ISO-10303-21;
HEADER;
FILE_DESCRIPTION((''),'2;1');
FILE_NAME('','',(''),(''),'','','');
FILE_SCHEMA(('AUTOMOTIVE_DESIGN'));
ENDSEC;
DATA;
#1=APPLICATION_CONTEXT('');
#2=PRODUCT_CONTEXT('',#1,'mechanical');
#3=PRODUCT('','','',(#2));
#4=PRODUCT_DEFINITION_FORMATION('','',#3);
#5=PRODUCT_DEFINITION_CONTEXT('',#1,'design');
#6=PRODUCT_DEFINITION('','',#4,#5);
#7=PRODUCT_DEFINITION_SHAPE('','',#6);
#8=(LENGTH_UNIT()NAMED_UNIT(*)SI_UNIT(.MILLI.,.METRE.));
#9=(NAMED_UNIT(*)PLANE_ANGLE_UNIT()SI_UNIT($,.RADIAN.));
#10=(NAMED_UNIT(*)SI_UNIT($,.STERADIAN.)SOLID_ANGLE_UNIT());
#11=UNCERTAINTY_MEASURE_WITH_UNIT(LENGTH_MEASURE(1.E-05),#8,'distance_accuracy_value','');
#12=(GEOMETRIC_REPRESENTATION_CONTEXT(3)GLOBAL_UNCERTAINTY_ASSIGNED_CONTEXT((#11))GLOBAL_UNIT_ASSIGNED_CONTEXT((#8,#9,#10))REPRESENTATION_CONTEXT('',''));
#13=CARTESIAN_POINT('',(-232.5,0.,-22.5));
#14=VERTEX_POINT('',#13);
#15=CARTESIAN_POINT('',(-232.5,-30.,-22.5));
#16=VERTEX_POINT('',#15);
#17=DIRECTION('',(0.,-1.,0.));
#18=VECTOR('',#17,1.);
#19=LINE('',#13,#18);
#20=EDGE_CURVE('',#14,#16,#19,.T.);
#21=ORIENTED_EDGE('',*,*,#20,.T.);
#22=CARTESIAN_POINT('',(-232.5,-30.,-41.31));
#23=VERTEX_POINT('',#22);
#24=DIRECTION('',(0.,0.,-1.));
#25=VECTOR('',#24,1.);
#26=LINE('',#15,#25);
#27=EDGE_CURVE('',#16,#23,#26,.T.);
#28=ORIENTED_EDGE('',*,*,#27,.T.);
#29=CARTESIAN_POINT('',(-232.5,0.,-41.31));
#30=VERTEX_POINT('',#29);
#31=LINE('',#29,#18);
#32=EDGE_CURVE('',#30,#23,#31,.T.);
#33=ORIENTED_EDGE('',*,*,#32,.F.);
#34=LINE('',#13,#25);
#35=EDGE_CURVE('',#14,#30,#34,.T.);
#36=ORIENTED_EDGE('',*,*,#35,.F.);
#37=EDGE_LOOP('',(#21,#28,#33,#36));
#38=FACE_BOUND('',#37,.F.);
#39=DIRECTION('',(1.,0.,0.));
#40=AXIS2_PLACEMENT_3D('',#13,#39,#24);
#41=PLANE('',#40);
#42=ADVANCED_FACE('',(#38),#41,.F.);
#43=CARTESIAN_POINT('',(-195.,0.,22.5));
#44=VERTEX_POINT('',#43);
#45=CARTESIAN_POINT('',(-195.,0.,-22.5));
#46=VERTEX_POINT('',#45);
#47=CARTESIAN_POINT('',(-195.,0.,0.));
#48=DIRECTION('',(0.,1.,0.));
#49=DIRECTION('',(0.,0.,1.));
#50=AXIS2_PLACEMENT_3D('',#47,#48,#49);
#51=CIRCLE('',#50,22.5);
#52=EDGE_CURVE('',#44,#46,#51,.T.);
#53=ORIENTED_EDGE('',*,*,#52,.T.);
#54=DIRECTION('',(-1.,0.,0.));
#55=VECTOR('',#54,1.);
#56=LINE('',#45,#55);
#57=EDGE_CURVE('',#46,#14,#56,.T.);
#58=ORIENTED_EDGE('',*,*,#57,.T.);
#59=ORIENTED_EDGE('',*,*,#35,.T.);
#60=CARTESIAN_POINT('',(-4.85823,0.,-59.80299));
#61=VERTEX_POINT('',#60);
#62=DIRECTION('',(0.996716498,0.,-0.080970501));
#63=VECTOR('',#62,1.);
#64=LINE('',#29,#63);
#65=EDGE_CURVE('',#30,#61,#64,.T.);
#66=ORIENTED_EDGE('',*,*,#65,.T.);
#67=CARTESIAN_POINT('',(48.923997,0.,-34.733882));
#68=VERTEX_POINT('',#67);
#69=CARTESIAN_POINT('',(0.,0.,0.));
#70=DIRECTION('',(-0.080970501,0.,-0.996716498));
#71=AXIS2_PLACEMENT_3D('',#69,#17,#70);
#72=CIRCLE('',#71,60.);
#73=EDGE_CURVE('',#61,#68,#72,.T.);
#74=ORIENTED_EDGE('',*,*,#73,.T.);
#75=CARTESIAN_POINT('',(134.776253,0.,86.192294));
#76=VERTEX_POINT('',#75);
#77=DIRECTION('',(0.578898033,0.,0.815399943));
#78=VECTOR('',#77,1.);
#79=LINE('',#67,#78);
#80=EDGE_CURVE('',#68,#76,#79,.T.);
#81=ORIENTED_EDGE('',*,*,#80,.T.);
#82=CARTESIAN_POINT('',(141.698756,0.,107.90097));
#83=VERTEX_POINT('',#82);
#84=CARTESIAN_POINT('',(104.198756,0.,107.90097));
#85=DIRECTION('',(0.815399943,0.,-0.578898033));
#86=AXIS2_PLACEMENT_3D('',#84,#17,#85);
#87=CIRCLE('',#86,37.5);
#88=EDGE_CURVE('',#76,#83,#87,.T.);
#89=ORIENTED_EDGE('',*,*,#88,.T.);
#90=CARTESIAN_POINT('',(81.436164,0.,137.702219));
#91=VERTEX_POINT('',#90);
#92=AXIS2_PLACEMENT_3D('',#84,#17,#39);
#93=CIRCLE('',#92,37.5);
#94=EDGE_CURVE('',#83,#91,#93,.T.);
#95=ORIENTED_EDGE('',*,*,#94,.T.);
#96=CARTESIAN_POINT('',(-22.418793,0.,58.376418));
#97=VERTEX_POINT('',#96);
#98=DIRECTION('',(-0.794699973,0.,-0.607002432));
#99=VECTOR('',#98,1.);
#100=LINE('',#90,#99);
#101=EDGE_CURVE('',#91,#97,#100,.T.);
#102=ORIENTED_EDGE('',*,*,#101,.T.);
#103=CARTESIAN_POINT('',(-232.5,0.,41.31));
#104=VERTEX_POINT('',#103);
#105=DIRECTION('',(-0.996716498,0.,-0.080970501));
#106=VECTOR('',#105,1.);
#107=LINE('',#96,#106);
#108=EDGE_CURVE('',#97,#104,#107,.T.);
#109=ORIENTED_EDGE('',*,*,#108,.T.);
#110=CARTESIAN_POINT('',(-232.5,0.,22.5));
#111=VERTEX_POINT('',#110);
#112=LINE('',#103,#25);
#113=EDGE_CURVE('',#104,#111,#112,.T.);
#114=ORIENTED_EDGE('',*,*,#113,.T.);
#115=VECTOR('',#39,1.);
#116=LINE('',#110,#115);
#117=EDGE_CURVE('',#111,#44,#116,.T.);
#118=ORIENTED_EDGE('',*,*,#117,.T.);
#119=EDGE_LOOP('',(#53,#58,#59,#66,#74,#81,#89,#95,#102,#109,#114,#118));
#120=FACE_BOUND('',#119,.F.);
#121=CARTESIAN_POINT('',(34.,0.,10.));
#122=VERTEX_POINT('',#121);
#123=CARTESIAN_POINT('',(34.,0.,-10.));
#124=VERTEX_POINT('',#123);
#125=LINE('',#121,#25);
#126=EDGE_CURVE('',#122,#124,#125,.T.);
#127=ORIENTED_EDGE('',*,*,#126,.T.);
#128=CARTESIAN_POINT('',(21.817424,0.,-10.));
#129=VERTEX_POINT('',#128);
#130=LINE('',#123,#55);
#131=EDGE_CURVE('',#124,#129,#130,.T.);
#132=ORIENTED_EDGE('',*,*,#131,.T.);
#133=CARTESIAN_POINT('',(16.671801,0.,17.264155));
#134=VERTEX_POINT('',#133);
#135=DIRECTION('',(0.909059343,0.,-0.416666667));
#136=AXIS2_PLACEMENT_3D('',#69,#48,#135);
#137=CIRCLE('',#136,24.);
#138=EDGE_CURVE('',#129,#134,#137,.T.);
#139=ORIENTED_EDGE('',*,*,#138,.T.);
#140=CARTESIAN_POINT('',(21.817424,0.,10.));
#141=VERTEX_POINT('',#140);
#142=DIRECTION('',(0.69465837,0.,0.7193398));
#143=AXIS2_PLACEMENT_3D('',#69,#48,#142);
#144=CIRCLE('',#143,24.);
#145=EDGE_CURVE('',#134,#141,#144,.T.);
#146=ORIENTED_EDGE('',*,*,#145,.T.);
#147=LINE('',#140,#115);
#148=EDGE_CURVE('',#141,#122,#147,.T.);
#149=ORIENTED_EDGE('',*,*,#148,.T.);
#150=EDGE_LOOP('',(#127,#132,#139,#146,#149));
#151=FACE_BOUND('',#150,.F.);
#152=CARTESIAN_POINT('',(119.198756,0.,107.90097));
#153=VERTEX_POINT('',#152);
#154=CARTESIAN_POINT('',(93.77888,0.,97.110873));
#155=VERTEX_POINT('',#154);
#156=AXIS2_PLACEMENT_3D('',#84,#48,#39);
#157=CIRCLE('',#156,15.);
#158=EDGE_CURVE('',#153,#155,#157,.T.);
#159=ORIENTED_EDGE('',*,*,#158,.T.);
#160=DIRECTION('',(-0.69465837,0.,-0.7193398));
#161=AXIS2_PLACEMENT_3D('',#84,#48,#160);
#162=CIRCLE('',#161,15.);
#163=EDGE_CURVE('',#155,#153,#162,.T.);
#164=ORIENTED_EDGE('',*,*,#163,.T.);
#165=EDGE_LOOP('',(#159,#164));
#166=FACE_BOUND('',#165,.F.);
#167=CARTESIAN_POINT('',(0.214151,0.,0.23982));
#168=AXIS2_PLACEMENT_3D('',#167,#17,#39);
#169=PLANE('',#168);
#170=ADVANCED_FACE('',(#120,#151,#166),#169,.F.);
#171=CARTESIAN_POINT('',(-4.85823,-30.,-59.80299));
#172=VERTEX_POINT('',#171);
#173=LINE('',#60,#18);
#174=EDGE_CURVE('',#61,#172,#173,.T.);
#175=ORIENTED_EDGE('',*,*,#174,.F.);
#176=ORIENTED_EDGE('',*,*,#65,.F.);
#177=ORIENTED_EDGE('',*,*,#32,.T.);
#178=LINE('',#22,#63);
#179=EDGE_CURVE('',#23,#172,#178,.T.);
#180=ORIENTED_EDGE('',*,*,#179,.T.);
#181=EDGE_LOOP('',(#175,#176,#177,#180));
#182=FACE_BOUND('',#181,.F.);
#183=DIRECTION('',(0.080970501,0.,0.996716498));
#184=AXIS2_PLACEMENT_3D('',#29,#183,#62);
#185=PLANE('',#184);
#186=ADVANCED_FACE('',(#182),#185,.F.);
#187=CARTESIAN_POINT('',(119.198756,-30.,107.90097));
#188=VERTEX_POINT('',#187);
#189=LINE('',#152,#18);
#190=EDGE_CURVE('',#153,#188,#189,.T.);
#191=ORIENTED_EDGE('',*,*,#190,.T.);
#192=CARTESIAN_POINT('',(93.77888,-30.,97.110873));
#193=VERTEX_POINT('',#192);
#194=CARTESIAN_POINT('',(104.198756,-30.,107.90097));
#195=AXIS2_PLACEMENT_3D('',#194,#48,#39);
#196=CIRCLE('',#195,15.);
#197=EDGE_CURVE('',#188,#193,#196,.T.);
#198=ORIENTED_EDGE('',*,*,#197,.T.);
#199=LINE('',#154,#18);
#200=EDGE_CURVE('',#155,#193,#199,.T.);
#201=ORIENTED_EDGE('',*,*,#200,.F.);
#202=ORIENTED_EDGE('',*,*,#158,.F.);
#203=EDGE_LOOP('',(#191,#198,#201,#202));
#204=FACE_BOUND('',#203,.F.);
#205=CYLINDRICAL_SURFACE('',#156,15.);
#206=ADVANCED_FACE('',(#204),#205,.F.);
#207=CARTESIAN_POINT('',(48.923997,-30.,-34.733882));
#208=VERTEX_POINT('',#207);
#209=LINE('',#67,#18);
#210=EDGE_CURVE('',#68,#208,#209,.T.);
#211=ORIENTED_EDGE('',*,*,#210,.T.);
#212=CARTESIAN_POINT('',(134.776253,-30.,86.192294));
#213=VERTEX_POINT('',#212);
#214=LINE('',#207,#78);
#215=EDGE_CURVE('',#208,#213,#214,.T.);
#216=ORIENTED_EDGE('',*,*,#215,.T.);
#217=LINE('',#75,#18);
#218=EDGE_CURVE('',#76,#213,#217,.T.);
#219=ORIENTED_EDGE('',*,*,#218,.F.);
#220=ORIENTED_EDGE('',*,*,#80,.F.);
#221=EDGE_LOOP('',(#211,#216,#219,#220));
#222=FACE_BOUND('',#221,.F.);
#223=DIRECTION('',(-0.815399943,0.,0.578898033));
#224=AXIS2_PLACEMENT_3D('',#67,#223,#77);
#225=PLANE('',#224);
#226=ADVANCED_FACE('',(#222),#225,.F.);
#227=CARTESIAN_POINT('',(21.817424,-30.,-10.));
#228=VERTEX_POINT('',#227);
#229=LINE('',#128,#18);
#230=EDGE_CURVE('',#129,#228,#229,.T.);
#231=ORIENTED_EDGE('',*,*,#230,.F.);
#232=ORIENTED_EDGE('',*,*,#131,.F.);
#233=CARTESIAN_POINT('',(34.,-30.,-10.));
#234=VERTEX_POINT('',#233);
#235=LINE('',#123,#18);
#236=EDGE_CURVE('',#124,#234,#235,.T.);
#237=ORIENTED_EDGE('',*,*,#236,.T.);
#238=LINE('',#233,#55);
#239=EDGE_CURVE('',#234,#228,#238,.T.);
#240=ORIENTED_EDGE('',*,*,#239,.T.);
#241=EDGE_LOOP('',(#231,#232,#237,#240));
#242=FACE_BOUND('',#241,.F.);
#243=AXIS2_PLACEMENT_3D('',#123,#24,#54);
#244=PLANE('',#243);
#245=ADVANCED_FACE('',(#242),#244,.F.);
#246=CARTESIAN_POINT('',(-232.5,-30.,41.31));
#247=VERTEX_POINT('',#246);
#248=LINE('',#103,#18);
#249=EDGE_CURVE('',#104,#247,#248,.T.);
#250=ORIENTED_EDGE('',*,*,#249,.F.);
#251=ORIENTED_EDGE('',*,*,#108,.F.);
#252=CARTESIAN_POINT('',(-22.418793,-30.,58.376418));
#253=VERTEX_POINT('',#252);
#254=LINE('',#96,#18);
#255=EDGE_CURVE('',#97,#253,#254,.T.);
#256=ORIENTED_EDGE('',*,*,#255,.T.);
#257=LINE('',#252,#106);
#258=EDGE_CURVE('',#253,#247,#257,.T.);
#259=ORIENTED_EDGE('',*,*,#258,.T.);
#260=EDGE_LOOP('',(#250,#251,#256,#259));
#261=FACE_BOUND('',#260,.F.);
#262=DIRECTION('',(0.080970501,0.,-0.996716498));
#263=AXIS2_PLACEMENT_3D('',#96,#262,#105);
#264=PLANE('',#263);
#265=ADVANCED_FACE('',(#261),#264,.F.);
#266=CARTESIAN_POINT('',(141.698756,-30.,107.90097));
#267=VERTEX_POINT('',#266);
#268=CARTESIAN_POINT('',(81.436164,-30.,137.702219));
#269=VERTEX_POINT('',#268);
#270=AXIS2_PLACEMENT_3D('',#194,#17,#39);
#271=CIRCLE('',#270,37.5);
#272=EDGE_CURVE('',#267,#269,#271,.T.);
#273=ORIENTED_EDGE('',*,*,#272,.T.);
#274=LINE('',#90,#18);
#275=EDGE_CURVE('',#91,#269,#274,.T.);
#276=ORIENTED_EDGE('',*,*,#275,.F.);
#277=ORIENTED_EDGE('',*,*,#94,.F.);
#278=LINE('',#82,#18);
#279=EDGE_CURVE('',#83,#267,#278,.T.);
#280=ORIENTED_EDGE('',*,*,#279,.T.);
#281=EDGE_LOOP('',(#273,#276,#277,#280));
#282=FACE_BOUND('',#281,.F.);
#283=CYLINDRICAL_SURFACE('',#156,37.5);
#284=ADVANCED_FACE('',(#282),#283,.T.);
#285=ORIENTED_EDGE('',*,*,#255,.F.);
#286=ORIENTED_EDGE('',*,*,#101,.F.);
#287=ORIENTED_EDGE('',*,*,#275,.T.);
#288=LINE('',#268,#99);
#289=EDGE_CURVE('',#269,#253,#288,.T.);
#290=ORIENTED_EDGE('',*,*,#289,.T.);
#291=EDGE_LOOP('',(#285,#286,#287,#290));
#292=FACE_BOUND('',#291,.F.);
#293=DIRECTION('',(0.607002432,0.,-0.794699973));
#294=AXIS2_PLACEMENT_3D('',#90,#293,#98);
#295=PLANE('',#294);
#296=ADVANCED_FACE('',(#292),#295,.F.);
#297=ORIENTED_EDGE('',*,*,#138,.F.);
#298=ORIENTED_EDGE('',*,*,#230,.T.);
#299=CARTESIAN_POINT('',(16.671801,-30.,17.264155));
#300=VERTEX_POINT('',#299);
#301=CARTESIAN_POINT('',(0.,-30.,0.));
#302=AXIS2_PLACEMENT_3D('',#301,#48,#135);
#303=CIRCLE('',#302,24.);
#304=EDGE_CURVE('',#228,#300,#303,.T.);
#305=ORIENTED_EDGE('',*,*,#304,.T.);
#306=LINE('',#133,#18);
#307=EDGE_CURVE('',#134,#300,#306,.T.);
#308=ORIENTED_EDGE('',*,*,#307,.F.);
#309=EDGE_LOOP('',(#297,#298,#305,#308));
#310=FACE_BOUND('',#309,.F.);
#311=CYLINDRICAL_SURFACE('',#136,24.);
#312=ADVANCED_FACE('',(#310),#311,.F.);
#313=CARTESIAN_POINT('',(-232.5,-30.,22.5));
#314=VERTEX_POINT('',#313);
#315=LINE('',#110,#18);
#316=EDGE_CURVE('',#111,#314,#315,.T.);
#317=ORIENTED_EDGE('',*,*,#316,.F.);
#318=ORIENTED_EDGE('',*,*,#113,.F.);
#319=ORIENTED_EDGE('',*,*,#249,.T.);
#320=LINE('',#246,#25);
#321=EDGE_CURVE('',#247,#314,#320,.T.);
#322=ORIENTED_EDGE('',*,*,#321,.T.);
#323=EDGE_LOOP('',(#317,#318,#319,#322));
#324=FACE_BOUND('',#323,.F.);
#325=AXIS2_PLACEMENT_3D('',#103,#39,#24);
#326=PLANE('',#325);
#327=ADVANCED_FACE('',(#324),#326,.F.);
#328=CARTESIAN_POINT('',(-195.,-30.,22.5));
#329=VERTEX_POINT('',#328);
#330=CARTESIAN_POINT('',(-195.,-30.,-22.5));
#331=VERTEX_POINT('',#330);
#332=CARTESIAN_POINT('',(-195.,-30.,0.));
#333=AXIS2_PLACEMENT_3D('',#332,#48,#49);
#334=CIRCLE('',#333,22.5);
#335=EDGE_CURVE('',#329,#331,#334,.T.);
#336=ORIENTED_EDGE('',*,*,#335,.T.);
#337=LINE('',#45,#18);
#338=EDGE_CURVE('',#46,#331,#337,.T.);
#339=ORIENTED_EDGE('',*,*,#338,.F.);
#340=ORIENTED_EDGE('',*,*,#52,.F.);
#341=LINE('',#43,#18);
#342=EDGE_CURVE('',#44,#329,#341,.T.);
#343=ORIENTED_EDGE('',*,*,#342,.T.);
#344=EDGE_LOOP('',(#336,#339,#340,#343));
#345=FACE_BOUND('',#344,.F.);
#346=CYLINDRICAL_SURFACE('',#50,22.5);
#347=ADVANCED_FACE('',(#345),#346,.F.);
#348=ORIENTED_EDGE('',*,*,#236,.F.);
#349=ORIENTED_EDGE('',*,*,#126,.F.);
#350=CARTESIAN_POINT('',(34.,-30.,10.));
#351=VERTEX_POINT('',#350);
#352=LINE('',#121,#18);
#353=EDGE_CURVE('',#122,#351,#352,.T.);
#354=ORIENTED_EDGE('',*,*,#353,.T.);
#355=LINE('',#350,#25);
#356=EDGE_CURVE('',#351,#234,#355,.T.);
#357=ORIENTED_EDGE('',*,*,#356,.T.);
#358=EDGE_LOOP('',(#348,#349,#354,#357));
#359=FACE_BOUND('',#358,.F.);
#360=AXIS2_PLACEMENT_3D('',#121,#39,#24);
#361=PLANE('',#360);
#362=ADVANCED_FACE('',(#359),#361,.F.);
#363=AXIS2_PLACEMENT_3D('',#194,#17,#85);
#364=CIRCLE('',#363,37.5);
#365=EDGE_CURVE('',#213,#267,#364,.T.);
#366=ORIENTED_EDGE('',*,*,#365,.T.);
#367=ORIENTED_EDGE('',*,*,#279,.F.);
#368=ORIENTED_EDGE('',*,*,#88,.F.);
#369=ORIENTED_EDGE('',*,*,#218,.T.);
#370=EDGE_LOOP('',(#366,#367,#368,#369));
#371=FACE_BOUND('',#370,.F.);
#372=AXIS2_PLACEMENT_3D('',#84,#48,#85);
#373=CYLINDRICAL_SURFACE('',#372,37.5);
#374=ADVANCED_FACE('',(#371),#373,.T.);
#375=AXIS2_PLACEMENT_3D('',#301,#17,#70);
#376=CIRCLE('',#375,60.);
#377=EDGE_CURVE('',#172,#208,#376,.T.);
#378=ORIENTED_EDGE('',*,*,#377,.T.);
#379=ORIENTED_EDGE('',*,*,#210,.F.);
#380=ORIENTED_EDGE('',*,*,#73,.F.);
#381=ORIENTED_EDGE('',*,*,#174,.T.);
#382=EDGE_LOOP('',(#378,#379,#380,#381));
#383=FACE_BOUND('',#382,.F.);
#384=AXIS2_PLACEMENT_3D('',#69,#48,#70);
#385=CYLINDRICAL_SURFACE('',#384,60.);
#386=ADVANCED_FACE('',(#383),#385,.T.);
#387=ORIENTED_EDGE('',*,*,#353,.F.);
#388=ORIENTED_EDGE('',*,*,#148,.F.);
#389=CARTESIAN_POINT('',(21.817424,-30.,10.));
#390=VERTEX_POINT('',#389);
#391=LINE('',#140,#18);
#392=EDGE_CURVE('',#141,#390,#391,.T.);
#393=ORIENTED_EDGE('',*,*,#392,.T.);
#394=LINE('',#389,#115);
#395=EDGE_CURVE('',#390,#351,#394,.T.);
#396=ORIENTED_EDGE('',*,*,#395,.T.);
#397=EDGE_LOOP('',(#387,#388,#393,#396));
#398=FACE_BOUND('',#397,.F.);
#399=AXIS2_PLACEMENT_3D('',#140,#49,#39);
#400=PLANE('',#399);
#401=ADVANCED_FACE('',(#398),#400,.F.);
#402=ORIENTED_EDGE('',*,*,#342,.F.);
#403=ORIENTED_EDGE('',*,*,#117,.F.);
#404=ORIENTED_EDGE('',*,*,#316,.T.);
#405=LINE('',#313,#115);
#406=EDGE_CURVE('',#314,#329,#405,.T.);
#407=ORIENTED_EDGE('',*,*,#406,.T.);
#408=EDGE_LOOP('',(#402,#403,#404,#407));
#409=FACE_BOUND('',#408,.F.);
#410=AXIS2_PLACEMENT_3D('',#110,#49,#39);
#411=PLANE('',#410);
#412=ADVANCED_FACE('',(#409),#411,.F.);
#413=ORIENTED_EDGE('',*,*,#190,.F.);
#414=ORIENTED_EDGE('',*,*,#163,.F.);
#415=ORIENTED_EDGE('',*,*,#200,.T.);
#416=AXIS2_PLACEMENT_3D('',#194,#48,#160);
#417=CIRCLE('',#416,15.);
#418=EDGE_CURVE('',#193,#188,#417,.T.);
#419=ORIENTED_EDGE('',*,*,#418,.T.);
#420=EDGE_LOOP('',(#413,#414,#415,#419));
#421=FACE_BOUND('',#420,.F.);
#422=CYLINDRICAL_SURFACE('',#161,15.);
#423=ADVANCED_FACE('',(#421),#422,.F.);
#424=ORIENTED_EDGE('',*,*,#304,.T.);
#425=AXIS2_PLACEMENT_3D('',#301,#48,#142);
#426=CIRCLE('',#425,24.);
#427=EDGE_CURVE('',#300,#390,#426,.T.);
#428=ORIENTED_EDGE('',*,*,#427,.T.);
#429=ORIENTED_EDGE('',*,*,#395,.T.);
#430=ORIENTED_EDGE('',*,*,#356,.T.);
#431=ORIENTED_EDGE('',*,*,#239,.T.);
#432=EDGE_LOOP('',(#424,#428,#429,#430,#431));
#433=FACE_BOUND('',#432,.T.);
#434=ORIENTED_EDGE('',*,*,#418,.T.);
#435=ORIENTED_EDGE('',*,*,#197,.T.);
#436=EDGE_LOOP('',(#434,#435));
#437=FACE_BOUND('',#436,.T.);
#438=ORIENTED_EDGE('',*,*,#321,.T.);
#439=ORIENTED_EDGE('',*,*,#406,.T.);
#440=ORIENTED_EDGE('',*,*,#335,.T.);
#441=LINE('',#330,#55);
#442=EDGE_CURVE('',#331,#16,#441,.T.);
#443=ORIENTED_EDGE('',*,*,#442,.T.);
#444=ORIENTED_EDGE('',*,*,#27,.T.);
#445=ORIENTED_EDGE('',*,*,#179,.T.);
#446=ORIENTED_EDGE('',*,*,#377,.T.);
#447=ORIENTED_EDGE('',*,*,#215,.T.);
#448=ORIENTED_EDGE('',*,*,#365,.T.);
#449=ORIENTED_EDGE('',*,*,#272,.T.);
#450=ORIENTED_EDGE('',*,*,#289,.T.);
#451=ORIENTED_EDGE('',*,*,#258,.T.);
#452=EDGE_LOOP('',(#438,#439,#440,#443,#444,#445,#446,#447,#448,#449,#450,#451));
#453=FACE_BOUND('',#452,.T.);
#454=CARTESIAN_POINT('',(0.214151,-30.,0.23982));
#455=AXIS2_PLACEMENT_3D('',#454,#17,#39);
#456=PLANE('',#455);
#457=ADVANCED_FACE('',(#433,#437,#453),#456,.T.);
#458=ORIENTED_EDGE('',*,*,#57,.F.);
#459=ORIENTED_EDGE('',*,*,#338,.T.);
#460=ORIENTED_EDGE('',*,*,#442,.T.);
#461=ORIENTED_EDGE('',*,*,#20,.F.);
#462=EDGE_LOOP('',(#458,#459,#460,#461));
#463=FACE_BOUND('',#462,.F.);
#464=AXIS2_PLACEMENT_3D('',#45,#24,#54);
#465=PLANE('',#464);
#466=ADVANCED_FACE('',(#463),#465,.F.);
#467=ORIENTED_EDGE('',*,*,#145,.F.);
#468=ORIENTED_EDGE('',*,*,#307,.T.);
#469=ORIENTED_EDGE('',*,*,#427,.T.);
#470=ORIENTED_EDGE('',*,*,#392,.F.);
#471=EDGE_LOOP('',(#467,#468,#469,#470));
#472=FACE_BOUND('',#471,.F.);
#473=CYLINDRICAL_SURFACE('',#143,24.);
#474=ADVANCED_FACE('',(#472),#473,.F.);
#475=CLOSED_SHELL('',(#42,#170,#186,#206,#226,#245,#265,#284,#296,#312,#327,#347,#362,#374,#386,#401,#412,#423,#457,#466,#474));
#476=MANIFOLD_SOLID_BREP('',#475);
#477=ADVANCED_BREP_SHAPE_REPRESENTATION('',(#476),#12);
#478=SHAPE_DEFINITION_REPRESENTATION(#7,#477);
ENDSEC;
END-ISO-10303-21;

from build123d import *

# Parameters (mm, degrees)
F1_DEPTH = 30


with BuildPart() as f1:
    # F0 (on Front) → F1 (new body)
    with BuildSketch(Plane.XZ):
        with BuildLine():
            ThreePointArc((41.6795022275, 43.1603880203), (20.2038503869, 56.496056761), (-4.8582300529, 59.8029898981))
            ThreePointArc((-4.8582300529, 59.8029898981), (-21.5105948147, 56.0115551535), (-36.4201459122, 47.6819984034))
            ThreePointArc((-36.4201459122, 47.6819984034), (-53.7829376045, 26.5969100204), (-60, 0))
            ThreePointArc((-60, 0), (-44.110621188, -40.672510353), (-4.8582300529, -59.8029898981))
            ThreePointArc((-4.8582300529, -59.8029898981), (25.3488261592, -54.382322609), (48.9239965804, -34.7338819973))
            ThreePointArc((48.9239965804, -34.7338819973), (57.1639737721, -18.2285518511), (60, 0))
            ThreePointArc((60, 0), (55.2302912071, 23.4438677094), (41.6795022275, 43.1603880203))
        make_face()
        with BuildLine():
            ThreePointArc((21.8174242293, -10), (-23.5836522276, -4.4509940021), (16.671800891, 17.2641552081))
            ThreePointArc((16.671800891, 17.2641552081), (19.5843585627, 13.8727394442), (21.8174242293, 10))
            Line((21.8174242293, 10), (34, 10))
            Line((34, 10), (34, -10))
            Line((34, -10), (21.8174242293, -10))
        make_face(mode=Mode.SUBTRACT)
        with BuildLine():
            Line((-22.4187933011, 58.3764181454), (-4.8582300529, 59.8029898981))
            ThreePointArc((-4.8582300529, 59.8029898981), (20.2038503869, 56.496056761), (41.6795022275, 43.1603880203))
            Line((41.6795022275, 43.1603880203), (78.1490666766, 80.9257275381))
            ThreePointArc((78.1490666766, 80.9257275381), (66.7614457161, 110.0684180864), (81.4361643738, 137.7022190529))
            Line((81.4361643738, 137.7022190529), (-22.4187933011, 58.3764181454))
        make_face()
        with BuildLine():
            ThreePointArc((-36.4201459122, 47.6819984034), (-21.5105948147, 56.0115551535), (-4.8582300529, 59.8029898981))
            Line((-4.8582300529, 59.8029898981), (-22.4187933011, 58.3764181454))
            Line((-22.4187933011, 58.3764181454), (-36.4201459122, 47.6819984034))
        make_face()
        with BuildLine():
            ThreePointArc((-60, 0), (-53.7829376045, 26.5969100204), (-36.4201459122, 47.6819984034))
            Line((-36.4201459122, 47.6819984034), (-22.4187933011, 58.3764181454))
            Line((-22.4187933011, 58.3764181454), (-232.5, 41.31))
            Line((-232.5, 41.31), (-232.5, 22.5))
            Line((-232.5, 22.5), (-195, 22.5))
            ThreePointArc((-195, 22.5), (-179.0900974233, 15.9099025767), (-172.5, 0))
            Line((-172.5, 0), (-60, 0))
        make_face()
        with BuildLine():
            Line((78.1490666766, 80.9257275381), (41.6795022275, 43.1603880203))
            ThreePointArc((41.6795022275, 43.1603880203), (55.2302912071, 23.4438677094), (60, 0))
            ThreePointArc((60, 0), (57.1639737721, -18.2285518511), (48.9239965804, -34.7338819973))
            Line((48.9239965804, -34.7338819973), (134.7762534316, 86.1922938025))
            ThreePointArc((134.7762534316, 86.1922938025), (107.6714265254, 70.5621088412), (78.1490666766, 80.9257275381))
        make_face()
        with BuildLine():
            ThreePointArc((-4.8582300529, -59.8029898981), (-44.110621188, -40.672510353), (-60, 0))
            Line((-60, 0), (-172.5, 0))
            ThreePointArc((-172.5, 0), (-179.0900974233, -15.9099025767), (-195, -22.5))
            Line((-195, -22.5), (-232.5, -22.5))
            Line((-232.5, -22.5), (-232.5, -41.31))
            Line((-232.5, -41.31), (-4.8582300529, -59.8029898981))
        make_face()
        with BuildLine():
            ThreePointArc((81.4361643738, 137.7022190529), (66.7614457161, 110.0684180864), (78.1490666766, 80.9257275381))
            ThreePointArc((78.1490666766, 80.9257275381), (107.6714265254, 70.5621088412), (134.7762534316, 86.1922938025))
            ThreePointArc((134.7762534316, 86.1922938025), (139.9262391764, 96.5081251439), (141.6987555688, 107.9009700508))
            ThreePointArc((141.6987555688, 107.9009700508), (120.8218243316, 141.5153060536), (81.4361643738, 137.7022190529))
        make_face()
        with BuildLine():
            ThreePointArc((119.1987555688, 107.9009700508), (110.0597224962, 94.093397249), (93.778880012, 97.1108730457))
            ThreePointArc((93.778880012, 97.1108730457), (98.3377886415, 121.7085428526), (119.1987555688, 107.9009700508))
        make_face(mode=Mode.SUBTRACT)
    extrude(amount=F1_DEPTH)


solid = f1.part
